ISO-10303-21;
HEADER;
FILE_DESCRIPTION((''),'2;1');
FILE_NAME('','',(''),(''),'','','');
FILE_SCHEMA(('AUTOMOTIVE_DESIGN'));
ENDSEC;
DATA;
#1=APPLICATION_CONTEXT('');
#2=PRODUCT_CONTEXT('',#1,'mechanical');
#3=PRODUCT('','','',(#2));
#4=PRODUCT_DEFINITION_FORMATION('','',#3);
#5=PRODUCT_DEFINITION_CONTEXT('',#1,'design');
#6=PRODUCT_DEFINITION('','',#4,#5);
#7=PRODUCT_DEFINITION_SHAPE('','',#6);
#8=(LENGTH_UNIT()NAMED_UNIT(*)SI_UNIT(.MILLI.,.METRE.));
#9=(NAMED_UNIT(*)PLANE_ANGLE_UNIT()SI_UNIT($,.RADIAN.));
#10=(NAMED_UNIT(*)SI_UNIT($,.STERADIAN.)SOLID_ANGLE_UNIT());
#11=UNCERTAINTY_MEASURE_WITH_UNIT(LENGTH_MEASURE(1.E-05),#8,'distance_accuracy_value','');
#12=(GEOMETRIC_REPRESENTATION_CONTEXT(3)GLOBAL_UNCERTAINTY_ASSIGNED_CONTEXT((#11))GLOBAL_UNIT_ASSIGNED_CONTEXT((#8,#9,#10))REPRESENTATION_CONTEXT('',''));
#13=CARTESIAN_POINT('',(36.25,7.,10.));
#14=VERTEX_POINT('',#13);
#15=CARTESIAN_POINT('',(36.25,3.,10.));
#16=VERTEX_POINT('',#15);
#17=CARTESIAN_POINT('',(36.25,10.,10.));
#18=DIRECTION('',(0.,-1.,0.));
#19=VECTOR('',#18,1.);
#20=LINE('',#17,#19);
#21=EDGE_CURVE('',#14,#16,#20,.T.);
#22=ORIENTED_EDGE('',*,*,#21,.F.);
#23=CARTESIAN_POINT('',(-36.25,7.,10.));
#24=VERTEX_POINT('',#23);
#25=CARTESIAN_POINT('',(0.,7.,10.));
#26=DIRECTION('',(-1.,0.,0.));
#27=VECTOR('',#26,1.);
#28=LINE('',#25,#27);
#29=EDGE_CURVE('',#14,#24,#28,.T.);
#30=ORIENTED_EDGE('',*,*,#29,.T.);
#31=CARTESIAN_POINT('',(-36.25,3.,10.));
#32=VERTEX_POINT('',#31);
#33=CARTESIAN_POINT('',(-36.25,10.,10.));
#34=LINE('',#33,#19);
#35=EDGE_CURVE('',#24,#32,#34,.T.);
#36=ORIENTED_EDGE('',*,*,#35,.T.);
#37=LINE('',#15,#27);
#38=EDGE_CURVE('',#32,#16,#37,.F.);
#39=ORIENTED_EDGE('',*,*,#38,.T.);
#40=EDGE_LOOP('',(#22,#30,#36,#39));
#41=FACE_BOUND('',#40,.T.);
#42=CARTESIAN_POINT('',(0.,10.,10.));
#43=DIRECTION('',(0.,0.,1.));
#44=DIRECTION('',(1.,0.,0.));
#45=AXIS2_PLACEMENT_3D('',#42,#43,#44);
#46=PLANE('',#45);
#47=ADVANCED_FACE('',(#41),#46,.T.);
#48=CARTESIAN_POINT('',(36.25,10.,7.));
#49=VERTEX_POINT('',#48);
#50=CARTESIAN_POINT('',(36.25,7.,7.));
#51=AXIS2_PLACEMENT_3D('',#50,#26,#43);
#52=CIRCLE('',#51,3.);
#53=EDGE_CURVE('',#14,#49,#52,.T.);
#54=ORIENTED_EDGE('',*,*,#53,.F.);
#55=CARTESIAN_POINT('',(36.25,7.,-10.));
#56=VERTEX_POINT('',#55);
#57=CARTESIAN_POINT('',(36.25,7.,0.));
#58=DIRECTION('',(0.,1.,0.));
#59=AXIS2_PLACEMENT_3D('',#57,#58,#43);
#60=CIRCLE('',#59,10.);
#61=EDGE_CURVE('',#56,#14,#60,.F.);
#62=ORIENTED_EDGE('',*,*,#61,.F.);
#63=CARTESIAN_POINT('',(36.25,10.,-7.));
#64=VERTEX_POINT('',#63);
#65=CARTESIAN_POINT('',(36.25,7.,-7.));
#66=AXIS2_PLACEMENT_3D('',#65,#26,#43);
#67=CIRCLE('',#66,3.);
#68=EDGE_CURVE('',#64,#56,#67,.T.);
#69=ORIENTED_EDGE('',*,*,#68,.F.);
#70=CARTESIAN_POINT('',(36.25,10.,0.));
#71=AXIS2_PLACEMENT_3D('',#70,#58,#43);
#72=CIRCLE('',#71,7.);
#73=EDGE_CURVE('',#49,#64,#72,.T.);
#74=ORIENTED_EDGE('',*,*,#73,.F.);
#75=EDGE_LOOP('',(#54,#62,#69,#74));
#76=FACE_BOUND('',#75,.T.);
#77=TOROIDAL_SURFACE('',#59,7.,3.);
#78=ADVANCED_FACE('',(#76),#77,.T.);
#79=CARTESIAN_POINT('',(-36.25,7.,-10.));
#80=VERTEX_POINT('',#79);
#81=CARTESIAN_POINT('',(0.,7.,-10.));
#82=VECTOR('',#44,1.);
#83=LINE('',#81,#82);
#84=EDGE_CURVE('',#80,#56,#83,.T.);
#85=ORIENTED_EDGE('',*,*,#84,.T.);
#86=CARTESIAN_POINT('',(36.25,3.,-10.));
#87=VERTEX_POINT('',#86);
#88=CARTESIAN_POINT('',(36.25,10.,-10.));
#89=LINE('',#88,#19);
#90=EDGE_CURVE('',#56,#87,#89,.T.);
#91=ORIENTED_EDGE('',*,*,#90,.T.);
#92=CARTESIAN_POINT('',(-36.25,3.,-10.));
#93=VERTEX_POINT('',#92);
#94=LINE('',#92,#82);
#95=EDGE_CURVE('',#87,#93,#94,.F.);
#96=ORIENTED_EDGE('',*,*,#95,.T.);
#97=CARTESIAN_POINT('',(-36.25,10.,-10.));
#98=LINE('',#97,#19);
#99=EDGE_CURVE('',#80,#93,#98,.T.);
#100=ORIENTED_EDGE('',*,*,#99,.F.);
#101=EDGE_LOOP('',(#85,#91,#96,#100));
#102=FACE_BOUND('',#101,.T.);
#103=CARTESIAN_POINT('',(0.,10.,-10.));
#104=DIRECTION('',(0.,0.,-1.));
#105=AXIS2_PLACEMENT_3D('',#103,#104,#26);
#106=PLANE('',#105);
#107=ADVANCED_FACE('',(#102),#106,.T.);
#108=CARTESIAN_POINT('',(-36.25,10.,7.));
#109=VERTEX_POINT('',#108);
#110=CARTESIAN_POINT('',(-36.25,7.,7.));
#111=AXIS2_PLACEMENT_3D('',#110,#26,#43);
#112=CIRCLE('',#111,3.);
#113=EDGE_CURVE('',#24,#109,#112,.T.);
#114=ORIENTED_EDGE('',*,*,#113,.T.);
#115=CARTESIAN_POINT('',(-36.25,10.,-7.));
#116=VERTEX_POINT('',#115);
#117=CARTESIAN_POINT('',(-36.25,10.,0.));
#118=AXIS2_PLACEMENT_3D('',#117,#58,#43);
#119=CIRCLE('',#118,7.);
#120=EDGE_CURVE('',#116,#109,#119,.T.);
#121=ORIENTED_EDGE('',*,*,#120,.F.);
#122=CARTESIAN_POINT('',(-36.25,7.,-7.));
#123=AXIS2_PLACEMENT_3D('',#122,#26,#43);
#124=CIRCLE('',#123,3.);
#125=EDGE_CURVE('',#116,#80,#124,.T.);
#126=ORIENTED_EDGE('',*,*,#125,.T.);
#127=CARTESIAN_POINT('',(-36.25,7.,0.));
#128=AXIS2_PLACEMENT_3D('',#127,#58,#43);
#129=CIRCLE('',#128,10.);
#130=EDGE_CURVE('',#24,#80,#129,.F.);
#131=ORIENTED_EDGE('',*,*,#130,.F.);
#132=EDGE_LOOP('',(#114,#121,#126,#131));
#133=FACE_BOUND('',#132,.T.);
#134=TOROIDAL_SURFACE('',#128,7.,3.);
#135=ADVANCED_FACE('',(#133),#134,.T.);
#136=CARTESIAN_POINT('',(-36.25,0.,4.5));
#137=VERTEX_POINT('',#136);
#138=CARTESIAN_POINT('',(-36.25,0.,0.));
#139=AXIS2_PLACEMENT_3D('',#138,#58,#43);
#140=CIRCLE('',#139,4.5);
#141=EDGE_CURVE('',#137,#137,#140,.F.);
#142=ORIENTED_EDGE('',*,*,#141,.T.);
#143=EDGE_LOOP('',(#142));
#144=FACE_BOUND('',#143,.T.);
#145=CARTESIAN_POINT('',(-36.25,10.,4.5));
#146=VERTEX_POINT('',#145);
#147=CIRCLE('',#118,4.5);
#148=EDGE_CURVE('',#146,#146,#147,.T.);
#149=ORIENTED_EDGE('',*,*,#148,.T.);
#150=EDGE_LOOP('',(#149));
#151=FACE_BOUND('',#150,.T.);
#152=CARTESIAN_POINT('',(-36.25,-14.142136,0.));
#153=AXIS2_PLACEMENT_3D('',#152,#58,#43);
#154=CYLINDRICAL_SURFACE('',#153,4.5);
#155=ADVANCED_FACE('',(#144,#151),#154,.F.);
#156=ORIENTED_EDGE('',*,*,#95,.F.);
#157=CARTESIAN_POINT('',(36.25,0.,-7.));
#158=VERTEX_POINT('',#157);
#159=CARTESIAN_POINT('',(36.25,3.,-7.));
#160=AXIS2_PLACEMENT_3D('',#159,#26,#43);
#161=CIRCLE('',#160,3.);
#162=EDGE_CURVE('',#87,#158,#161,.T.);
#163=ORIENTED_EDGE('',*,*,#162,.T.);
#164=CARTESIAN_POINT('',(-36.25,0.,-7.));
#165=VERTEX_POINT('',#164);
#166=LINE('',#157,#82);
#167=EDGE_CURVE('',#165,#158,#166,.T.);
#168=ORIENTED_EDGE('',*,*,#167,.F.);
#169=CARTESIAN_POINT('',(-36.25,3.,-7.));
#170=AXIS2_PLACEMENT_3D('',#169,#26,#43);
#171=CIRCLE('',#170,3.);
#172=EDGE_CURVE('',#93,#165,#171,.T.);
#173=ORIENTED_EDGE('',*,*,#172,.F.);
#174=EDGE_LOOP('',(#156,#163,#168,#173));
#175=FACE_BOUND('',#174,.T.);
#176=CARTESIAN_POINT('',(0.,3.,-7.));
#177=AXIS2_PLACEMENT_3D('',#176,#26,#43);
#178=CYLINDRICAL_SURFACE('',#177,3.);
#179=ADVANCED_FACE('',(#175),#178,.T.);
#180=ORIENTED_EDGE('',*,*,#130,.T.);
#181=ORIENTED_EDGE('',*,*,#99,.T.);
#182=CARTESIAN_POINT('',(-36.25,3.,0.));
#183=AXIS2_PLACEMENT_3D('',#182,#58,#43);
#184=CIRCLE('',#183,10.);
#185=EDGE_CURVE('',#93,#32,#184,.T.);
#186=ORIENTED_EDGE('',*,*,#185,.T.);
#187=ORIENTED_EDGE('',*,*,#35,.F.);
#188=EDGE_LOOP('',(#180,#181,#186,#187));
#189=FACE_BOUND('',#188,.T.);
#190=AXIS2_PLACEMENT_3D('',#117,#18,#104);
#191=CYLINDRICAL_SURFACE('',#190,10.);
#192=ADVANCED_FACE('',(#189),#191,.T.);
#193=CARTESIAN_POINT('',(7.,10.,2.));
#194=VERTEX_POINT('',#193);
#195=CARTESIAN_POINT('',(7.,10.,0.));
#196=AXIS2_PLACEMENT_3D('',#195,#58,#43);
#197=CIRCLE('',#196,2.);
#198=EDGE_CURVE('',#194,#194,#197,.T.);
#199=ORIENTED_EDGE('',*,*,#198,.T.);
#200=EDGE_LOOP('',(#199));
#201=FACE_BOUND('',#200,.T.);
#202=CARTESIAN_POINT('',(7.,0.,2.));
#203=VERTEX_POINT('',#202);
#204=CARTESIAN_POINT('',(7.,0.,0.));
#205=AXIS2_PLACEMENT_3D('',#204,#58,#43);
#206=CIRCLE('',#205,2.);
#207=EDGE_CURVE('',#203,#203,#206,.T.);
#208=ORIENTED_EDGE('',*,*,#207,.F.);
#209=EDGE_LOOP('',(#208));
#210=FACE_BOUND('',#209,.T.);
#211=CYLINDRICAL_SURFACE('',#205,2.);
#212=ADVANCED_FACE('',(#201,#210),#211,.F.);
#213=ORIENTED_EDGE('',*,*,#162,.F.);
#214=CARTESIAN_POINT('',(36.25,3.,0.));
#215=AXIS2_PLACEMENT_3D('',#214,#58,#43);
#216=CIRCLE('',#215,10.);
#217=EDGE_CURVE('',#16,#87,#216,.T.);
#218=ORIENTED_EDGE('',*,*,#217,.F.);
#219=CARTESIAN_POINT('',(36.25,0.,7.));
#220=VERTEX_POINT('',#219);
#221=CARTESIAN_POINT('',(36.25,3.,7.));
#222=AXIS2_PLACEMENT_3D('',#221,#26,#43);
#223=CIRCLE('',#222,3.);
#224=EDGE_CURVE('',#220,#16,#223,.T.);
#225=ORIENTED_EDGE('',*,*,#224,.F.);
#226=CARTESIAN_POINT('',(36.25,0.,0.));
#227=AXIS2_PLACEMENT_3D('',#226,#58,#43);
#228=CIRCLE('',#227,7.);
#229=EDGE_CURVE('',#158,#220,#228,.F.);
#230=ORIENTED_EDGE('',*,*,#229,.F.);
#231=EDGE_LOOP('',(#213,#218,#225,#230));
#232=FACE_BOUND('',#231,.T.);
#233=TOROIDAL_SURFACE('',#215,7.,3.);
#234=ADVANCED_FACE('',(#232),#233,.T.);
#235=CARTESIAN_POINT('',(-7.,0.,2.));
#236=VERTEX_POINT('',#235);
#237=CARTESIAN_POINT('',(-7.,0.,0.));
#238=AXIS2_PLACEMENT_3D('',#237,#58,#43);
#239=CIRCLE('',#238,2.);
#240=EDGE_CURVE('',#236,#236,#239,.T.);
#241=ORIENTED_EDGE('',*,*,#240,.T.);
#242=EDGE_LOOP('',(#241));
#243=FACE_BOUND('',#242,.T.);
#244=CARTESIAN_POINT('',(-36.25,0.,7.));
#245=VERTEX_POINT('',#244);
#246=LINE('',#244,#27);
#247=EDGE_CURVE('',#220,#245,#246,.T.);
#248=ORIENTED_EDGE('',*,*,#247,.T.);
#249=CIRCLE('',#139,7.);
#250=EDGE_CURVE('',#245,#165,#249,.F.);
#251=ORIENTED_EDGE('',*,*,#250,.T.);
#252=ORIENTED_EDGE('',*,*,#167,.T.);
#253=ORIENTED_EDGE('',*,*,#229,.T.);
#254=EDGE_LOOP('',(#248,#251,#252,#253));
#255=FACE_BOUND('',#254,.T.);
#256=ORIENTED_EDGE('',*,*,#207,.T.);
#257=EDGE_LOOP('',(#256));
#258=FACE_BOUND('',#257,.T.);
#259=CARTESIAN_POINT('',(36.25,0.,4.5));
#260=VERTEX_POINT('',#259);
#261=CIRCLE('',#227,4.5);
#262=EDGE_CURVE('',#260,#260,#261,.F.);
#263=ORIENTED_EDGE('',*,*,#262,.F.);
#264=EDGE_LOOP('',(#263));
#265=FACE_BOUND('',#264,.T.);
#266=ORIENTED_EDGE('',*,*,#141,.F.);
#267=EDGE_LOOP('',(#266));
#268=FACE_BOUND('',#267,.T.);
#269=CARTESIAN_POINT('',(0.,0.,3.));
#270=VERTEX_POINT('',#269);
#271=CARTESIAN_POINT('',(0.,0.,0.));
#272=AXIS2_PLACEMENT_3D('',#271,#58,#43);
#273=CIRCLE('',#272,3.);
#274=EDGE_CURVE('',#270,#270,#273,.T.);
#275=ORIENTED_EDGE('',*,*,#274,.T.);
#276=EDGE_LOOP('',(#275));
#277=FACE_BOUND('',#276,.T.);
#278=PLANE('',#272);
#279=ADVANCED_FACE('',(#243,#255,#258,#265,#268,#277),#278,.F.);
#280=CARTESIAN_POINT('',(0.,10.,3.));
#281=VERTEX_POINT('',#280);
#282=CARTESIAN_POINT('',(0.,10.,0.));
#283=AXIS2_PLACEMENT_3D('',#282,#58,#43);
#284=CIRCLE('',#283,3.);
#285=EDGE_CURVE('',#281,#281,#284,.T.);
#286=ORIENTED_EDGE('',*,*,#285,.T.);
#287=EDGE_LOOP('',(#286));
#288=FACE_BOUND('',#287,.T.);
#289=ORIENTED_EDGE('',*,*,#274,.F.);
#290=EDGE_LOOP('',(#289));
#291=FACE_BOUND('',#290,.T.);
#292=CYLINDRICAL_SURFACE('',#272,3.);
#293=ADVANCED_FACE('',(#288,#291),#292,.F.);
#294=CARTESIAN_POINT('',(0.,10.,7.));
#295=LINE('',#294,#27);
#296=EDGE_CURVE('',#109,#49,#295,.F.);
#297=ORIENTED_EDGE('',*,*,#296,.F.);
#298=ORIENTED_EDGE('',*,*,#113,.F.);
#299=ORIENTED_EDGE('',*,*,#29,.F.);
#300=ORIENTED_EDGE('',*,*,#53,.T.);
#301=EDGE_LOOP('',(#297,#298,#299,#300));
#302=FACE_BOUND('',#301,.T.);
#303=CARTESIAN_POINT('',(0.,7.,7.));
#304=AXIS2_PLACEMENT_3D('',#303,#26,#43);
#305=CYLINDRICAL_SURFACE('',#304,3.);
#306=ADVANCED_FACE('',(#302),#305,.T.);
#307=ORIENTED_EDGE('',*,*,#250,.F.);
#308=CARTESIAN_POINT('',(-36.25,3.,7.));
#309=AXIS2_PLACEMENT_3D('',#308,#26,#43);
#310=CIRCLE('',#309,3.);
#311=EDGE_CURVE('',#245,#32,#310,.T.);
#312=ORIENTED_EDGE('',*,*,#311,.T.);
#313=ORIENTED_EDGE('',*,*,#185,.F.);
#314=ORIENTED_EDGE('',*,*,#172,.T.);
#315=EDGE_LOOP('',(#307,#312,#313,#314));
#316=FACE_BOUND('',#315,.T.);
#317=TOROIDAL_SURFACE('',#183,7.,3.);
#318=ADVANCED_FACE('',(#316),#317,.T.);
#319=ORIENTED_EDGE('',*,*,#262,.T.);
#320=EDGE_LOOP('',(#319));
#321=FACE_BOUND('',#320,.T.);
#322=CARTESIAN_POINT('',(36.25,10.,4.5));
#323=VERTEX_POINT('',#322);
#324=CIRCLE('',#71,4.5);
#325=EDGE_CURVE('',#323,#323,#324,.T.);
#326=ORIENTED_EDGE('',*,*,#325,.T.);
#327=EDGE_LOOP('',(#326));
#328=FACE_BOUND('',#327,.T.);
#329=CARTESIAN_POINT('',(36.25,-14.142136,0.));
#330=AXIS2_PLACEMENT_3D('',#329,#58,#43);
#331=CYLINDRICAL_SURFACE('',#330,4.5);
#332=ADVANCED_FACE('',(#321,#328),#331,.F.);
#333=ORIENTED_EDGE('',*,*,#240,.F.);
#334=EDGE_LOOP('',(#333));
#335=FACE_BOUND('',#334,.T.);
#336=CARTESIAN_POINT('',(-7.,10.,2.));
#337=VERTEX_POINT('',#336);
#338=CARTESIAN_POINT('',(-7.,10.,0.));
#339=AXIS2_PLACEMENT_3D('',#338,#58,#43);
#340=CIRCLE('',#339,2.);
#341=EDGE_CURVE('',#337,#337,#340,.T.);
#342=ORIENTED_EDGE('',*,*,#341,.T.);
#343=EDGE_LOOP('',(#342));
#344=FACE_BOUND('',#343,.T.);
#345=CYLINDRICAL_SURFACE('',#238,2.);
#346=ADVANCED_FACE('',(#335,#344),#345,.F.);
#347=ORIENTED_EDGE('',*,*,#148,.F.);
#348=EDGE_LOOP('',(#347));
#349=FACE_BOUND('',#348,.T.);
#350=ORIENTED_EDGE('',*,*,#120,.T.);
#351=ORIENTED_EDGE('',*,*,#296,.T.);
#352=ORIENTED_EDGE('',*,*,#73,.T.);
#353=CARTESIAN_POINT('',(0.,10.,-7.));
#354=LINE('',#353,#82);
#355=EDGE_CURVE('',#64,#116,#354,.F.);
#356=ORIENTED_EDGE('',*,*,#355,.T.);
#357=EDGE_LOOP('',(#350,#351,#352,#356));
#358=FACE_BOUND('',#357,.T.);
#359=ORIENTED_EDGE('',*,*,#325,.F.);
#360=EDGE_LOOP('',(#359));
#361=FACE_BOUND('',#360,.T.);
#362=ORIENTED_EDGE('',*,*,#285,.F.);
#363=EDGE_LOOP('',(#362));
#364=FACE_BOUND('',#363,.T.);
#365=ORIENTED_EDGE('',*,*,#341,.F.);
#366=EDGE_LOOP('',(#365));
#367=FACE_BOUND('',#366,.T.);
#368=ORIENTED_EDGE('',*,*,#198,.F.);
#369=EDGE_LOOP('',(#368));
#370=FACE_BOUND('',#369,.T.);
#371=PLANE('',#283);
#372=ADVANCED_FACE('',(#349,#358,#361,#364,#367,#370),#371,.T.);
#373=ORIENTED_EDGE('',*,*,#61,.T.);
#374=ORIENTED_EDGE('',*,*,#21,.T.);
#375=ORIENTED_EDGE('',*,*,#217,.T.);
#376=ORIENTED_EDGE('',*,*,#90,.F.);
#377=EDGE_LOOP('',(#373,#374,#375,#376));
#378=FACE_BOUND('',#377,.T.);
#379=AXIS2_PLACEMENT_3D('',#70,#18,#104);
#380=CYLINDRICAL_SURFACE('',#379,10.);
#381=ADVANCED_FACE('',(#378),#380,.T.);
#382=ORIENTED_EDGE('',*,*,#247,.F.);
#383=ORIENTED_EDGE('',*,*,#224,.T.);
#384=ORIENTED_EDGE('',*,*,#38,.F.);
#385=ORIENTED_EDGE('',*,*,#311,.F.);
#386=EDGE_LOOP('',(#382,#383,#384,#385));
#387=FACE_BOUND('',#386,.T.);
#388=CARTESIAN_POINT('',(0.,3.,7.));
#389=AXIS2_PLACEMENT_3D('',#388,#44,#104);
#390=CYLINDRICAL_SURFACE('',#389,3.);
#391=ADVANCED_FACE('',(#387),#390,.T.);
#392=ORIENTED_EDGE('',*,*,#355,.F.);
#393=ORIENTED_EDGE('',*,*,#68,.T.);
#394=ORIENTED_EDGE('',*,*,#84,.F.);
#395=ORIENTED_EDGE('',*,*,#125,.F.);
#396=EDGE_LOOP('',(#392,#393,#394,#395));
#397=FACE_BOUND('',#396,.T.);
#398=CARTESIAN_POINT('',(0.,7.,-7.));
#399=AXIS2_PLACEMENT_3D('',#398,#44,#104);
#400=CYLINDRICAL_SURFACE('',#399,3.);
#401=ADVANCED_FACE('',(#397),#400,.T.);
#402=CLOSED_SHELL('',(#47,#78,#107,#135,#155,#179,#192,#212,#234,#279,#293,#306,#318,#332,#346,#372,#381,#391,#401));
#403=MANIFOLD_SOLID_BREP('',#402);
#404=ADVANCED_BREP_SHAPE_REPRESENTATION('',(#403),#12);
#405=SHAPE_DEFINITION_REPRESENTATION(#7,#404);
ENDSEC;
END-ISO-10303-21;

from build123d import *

# Parameters (mm, degrees)
SKETCH2_R           = 5
BOSS_EXTRUDE1_DEPTH = 10
FILLET1_R           = 3
BOSS_EXTRUDE2_DEPTH = 10
SKETCH5_R           = 5
SKETCH5_R_2         = 4.5
BOSS_EXTRUDE3_DEPTH = 10
SKETCH6_R           = 2
CUT_EXTRUDE1_DEPTH  = 10
SKETCH7_R           = 3
CUT_EXTRUDE2_DEPTH  = 10


with BuildPart() as part:
    # Sketch2 → Boss-Extrude1 (new body)
    with BuildSketch(Plane(origin=(0, 0, 0), x_dir=(1, 0, 0), z_dir=(0, 1, 0))):
        with BuildLine():
            Line((36.25, 10), (-36.25, 10))
            ThreePointArc((-36.25, 10), (-46.25, 0), (-36.25, -10))
            Line((-36.25, -10), (36.25, -10))
            ThreePointArc((36.25, -10), (46.25, 0), (36.25, 10))
        make_face()
        with Locations((-36.25, 0)):
            Circle(SKETCH2_R, mode=Mode.SUBTRACT)
        with BuildLine():
            ThreePointArc((5, 0), (3.535533906, -3.535533906), (0, -5))
            ThreePointArc((0, -5), (-5, 0), (0, 5))
            ThreePointArc((0, 5), (3.535533906, 3.535533906), (5, 0))
        make_face(mode=Mode.SUBTRACT)
        with Locations((36.25, 0)):
            Circle(SKETCH2_R, mode=Mode.SUBTRACT)
    extrude(amount=BOSS_EXTRUDE1_DEPTH)

    # Fillet1
    fillet1_edges = [part.edges().sort_by_distance(p)[0] for p in [
        (46.25, 0, 0),
        (0, 0, 10),
        (0, 10, 10),
        (46.25, 10, 0),
        (0, 10, -10),
        (-46.25, 10, 0),
        (-46.25, 0, 0),
        (0, 0, -10),
    ]]
    fillet(fillet1_edges, radius=FILLET1_R)

    # Sketch3 → Boss-Extrude2 (add)
    with BuildSketch(Plane(origin=(0, 10, 0), x_dir=(1, 0, 0), z_dir=(0, 1, 0))):
        with BuildLine():
            Line((5, 0), (0, 0))
            Line((0, 0), (-5, 0))
            ThreePointArc((-5, 0), (0, -5), (5, 0))
        make_face()
        with BuildLine():
            Line((-5, 0), (0, 0))
            Line((0, 0), (5, 0))
            ThreePointArc((5, 0), (0, 5), (-5, 0))
        make_face()
    extrude(amount=-BOSS_EXTRUDE2_DEPTH)

    # Sketch5 → Boss-Extrude3 (add)
    with BuildSketch(Plane(origin=(0, 10, 0), x_dir=(1, 0, 0), z_dir=(0, 1, 0))):
        with Locations((-36.25, 0)):
            Circle(SKETCH5_R)
        with Locations((-36.25, 0)):
            Circle(SKETCH5_R_2, mode=Mode.SUBTRACT)
        with Locations((36.25, 0)):
            Circle(SKETCH5_R)
        with Locations((36.25, 0)):
            Circle(SKETCH5_R_2, mode=Mode.SUBTRACT)
    extrude(amount=-BOSS_EXTRUDE3_DEPTH)

    # Sketch6 → Cut-Extrude1 (cut)
    with BuildSketch(Plane(origin=(0, 10, 0), x_dir=(1, 0, 0), z_dir=(0, 1, 0))):
        with Locations((-7, 0)):
            Circle(SKETCH6_R)
        with Locations((7, 0)):
            Circle(SKETCH6_R)
    extrude(amount=-CUT_EXTRUDE1_DEPTH, mode=Mode.SUBTRACT)

    # Sketch7 → Cut-Extrude2 (cut)
    with BuildSketch(Plane(origin=(0, 10, 0), x_dir=(1, 0, 0), z_dir=(0, 1, 0))):
        Circle(SKETCH7_R)
    extrude(amount=-CUT_EXTRUDE2_DEPTH, mode=Mode.SUBTRACT)


solid = part.part
